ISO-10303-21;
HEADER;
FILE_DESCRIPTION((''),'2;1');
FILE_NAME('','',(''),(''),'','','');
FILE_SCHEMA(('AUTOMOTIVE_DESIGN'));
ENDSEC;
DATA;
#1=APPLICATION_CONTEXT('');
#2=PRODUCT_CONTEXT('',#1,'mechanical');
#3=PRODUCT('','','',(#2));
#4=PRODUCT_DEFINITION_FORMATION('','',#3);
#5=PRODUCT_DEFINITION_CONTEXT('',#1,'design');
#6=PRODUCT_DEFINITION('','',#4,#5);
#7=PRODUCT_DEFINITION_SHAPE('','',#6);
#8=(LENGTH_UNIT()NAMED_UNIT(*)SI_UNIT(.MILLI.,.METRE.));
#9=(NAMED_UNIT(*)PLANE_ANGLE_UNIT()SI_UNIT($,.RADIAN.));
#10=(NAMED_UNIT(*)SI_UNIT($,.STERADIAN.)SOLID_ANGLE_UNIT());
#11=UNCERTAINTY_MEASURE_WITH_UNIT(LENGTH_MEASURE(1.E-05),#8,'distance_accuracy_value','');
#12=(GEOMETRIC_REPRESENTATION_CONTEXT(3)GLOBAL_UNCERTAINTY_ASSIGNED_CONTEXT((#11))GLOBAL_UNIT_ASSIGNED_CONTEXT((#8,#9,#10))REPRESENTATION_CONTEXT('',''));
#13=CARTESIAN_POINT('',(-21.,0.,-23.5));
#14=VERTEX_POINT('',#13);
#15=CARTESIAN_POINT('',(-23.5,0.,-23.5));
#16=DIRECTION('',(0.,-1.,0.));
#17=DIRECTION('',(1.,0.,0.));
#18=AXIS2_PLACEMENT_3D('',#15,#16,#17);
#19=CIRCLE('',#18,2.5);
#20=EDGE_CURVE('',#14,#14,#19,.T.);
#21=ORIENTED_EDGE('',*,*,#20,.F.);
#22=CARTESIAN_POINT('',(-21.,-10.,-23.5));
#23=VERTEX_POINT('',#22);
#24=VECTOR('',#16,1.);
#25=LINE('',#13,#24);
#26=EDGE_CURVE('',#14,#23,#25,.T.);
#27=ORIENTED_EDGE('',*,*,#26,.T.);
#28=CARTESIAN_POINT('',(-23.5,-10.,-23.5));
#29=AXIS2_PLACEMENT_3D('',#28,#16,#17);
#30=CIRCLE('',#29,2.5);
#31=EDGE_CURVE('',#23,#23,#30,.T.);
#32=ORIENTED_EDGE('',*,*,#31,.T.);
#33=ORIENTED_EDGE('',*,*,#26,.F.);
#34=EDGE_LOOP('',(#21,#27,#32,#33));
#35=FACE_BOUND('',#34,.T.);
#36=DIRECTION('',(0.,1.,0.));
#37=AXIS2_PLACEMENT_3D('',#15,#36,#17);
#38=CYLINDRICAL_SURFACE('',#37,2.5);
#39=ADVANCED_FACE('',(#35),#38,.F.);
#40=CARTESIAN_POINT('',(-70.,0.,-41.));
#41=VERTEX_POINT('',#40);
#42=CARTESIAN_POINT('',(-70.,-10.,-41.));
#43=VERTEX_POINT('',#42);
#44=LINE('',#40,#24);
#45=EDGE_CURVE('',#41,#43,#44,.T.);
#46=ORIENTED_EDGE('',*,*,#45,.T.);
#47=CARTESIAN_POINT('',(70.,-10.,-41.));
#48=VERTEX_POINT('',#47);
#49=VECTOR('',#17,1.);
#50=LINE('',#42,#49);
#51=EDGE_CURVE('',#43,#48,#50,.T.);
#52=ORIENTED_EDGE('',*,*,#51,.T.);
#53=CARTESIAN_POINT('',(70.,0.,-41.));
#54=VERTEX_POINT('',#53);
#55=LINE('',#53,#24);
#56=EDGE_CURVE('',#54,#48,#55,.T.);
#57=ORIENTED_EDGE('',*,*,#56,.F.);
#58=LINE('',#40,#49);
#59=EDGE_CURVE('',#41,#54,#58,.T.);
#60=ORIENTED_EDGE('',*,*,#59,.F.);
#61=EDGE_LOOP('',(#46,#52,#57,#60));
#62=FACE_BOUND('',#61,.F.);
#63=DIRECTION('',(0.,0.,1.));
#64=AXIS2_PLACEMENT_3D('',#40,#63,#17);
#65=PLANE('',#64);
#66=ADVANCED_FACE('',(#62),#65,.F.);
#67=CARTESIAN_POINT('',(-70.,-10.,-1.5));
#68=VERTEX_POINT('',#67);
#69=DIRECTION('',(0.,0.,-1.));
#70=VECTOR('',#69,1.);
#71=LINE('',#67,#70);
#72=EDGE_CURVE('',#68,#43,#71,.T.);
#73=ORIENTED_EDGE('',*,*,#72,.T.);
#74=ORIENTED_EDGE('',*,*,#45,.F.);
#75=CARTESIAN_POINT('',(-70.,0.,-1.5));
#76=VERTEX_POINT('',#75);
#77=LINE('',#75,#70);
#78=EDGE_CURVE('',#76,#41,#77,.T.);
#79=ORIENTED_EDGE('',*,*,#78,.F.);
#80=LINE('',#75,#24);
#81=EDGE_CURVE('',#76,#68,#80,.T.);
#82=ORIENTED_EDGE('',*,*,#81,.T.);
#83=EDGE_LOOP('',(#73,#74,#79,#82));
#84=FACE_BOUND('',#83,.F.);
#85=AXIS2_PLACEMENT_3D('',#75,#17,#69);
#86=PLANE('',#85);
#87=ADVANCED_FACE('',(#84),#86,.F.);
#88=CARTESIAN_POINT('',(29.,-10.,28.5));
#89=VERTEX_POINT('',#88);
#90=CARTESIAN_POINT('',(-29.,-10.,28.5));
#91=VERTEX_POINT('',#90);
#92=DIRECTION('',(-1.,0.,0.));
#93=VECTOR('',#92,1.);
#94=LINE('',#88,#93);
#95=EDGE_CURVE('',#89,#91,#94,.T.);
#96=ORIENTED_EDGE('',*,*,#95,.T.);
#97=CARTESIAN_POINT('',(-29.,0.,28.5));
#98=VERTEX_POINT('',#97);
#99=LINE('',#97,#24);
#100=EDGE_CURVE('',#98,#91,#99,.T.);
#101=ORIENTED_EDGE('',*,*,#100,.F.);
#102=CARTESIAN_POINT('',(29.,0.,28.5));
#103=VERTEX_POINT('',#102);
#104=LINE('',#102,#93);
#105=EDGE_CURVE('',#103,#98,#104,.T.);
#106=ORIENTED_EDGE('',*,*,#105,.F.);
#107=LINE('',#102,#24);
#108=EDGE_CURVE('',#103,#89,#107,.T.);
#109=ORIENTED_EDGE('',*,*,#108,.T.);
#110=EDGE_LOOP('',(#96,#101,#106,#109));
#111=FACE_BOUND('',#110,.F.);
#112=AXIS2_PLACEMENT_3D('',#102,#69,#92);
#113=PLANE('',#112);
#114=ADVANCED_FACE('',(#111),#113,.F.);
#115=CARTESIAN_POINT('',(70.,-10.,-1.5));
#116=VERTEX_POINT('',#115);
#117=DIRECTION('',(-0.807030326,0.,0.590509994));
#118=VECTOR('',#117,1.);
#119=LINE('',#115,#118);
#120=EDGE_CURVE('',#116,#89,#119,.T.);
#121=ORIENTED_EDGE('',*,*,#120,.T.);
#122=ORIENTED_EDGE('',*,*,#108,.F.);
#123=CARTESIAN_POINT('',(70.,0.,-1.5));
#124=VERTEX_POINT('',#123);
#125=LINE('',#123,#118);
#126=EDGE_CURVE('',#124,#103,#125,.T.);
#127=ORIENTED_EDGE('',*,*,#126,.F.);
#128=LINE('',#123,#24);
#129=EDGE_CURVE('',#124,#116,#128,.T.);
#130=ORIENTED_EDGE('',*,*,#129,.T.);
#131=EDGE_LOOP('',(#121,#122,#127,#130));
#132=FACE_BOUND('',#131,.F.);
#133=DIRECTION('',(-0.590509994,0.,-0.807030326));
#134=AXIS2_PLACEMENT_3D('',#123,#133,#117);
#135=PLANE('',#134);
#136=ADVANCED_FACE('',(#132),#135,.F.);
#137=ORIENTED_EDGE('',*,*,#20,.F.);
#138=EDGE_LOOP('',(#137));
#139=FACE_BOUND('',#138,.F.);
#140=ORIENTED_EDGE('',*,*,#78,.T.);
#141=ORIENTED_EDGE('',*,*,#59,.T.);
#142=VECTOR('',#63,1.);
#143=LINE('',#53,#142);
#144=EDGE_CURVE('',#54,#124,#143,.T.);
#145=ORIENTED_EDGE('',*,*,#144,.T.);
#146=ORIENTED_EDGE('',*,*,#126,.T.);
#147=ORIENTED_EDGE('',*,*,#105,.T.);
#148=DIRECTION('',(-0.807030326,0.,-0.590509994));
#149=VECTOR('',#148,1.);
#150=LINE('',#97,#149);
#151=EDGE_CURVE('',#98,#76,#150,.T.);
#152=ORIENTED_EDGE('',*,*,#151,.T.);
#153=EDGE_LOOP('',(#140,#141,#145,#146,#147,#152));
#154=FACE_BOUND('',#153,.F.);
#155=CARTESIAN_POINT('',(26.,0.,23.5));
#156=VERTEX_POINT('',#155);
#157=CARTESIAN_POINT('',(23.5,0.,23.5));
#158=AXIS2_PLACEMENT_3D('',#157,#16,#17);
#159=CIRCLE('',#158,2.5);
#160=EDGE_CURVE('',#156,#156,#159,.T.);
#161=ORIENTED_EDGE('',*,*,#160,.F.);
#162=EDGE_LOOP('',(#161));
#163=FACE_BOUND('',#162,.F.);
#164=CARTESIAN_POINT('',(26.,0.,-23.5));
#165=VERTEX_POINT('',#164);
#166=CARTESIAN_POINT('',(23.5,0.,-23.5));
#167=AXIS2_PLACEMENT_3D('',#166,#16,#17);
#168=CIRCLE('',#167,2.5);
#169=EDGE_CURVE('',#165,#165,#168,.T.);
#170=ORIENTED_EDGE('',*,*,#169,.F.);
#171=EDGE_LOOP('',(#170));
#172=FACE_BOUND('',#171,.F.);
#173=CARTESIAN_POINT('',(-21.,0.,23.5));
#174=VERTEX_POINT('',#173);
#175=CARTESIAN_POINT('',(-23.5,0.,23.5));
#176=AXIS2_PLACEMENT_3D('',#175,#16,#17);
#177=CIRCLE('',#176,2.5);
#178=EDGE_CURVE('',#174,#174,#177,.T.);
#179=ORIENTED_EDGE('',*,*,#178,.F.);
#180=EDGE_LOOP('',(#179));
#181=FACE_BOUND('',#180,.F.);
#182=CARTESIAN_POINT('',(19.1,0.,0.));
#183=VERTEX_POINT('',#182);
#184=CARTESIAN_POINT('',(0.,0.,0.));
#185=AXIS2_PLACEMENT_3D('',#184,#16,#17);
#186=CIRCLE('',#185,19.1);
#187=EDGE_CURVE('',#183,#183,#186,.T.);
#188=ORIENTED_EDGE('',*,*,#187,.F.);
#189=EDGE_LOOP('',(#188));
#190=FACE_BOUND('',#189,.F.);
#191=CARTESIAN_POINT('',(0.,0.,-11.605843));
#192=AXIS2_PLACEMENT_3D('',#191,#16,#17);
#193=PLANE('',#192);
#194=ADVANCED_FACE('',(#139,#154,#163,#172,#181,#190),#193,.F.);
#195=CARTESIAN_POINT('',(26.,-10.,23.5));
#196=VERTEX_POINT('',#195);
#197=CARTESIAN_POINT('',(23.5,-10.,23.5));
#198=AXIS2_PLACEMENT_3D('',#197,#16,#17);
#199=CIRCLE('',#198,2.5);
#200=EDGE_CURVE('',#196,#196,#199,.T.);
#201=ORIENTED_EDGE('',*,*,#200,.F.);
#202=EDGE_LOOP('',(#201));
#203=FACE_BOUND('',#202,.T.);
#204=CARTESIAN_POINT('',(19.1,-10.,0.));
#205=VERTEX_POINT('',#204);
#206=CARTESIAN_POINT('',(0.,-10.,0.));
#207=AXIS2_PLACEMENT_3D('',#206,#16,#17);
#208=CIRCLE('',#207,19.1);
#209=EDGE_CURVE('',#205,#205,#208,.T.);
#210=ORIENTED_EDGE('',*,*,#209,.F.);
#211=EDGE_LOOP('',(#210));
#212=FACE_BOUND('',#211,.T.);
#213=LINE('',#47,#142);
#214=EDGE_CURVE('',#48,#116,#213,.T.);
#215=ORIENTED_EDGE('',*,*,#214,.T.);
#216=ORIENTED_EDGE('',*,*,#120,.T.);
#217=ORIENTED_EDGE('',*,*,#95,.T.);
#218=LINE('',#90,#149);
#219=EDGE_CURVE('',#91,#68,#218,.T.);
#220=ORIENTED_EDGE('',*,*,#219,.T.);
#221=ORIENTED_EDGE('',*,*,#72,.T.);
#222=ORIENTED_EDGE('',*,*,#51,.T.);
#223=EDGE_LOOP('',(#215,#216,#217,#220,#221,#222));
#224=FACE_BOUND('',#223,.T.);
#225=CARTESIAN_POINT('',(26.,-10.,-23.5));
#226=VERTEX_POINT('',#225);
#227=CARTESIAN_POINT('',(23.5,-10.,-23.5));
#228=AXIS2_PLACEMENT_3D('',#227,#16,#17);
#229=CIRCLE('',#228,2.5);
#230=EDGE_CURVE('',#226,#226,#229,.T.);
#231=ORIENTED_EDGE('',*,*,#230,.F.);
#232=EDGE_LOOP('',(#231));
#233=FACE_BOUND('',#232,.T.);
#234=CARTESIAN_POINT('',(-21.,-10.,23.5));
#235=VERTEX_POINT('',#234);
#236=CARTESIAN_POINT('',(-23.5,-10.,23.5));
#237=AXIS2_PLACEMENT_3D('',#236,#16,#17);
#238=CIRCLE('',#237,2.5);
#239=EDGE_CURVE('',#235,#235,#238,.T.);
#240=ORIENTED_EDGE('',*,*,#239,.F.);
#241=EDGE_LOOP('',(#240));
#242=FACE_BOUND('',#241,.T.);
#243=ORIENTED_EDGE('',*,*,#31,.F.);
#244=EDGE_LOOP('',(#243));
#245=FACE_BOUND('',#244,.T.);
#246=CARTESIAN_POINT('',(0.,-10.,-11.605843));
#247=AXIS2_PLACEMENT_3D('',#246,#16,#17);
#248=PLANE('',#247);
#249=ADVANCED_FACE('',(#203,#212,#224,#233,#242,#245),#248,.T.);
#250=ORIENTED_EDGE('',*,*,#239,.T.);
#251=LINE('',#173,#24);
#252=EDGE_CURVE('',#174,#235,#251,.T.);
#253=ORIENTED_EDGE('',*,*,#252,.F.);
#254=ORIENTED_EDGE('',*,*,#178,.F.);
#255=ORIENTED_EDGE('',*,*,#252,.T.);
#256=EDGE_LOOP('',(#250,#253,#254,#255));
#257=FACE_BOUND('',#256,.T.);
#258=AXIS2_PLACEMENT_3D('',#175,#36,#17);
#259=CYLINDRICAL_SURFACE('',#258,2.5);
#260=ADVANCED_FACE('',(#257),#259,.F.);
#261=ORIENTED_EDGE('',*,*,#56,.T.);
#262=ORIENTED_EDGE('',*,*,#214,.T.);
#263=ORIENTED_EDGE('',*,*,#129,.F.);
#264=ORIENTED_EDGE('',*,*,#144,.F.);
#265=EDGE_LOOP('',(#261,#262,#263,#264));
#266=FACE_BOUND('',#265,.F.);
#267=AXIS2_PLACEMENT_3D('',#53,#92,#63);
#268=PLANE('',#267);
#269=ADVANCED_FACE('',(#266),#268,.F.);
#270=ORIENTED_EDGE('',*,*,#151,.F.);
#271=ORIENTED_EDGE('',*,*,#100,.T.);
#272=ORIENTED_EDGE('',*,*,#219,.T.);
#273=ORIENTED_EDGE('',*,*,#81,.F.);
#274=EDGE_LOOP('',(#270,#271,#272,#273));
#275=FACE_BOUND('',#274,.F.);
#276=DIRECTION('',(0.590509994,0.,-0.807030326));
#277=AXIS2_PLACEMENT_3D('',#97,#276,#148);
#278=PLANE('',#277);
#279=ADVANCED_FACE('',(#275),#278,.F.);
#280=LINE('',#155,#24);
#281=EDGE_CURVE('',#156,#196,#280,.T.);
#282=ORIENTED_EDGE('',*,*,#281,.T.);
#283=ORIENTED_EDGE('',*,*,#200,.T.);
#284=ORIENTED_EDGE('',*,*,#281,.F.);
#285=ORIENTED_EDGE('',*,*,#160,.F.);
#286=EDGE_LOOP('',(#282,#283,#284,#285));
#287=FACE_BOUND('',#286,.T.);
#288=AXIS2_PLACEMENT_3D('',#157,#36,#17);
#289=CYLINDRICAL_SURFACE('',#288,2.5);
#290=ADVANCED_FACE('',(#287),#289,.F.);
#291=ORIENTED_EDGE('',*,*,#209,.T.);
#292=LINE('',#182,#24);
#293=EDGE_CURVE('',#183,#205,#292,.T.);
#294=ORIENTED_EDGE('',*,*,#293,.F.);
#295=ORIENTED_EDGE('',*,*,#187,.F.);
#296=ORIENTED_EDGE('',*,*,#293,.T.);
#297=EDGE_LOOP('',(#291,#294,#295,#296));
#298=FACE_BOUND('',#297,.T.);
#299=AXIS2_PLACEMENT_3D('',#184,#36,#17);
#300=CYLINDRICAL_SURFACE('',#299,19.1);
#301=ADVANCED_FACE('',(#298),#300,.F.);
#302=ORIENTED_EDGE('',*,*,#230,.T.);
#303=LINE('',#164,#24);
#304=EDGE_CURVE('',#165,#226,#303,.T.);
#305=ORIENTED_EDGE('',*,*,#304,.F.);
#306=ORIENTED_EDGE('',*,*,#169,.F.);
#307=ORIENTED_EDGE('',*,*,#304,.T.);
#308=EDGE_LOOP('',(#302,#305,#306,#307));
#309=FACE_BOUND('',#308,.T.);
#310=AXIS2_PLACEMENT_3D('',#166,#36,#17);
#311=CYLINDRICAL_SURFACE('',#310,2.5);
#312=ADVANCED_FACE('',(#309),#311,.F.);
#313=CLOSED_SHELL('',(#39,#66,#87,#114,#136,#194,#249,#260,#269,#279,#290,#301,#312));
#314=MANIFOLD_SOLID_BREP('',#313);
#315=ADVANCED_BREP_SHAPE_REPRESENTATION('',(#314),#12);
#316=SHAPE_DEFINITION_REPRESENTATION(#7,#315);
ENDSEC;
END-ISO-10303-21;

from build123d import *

# Parameters (mm, degrees)
F0_R     = 2.5
F0_R_2   = 19.1
F1_DEPTH = 10


with BuildPart() as f1:
    # F0 (on Front) → F1 (new body)
    with BuildSketch(Plane.XZ):
        Polygon((29, 28.5), (-29, 28.5), (-70, -1.5), (-70, -41), (70, -41), (70, -1.5), align=None)
        with Locations((-23.5, -23.5)):
            Circle(F0_R, mode=Mode.SUBTRACT)
        with Locations((23.5, -23.5)):
            Circle(F0_R, mode=Mode.SUBTRACT)
        with Locations((-23.5, 23.5)):
            Circle(F0_R, mode=Mode.SUBTRACT)
        Circle(F0_R_2, mode=Mode.SUBTRACT)
        with Locations((23.5, 23.5)):
            Circle(F0_R, mode=Mode.SUBTRACT)
    extrude(amount=F1_DEPTH)


solid = f1.part
